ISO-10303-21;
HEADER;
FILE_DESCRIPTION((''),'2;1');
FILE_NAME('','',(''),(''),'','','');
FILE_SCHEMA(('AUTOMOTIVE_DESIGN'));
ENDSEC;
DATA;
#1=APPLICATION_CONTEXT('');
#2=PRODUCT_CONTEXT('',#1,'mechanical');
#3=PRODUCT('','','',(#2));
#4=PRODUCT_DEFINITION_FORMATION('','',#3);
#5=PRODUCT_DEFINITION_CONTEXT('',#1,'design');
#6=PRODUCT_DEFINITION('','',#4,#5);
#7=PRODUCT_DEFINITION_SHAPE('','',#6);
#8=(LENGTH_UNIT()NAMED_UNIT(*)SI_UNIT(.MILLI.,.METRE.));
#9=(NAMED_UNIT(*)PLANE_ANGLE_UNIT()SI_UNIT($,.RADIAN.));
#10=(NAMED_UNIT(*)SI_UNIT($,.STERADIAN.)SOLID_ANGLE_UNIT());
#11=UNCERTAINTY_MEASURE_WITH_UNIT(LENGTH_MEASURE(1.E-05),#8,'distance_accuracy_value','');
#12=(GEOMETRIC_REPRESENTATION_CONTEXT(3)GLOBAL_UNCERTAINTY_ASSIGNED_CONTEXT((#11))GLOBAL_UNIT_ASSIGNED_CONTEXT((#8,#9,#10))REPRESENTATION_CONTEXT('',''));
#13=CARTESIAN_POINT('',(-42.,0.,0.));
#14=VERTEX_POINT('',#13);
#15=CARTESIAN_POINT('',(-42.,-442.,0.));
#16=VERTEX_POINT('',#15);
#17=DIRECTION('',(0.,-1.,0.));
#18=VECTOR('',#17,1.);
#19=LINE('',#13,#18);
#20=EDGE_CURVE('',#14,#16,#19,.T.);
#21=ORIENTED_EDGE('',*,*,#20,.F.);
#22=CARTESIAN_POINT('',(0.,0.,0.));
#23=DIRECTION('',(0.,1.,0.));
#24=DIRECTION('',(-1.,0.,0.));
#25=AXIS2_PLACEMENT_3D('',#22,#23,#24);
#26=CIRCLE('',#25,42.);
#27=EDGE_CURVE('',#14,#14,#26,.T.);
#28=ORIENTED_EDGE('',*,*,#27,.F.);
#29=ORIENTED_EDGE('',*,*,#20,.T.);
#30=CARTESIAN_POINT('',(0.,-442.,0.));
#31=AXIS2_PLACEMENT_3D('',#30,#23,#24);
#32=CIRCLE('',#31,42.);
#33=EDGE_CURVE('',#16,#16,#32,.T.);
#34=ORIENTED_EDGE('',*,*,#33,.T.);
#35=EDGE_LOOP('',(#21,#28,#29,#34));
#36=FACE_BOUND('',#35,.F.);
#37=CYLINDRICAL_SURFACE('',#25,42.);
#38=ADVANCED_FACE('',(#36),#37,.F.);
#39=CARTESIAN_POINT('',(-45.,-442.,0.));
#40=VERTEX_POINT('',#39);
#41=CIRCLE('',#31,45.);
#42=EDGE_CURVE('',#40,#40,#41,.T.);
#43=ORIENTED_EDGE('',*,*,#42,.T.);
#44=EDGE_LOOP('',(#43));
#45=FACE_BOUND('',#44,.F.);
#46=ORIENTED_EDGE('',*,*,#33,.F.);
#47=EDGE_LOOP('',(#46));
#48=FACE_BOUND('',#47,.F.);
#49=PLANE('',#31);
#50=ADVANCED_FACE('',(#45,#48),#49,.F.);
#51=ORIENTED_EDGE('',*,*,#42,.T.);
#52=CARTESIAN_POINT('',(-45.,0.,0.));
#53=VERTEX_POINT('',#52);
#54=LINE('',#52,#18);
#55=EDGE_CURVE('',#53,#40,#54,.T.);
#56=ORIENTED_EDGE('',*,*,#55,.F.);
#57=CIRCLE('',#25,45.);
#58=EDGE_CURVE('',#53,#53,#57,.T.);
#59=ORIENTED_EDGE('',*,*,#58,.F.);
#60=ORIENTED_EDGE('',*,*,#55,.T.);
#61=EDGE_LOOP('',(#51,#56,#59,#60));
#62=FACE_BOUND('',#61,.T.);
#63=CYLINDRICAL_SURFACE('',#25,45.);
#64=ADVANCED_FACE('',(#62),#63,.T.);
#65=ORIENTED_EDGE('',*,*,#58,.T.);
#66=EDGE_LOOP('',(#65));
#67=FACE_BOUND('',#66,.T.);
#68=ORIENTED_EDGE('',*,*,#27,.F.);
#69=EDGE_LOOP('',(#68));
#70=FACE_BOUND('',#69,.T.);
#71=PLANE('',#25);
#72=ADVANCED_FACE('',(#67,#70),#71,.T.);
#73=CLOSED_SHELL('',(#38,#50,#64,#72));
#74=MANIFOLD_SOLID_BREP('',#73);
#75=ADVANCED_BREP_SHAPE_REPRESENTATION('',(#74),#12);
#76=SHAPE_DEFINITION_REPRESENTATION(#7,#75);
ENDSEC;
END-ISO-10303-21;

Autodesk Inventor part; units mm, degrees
ref_plane "YZ Plane" through (0, 0, 0) normal (1, 0, 0) x (0, 1, 0)
ref_plane "XZ Plane" through (0, 0, 0) normal (0, 1, 0) x (-1, 0, 0)
ref_plane "XY Plane" through (0, 0, 0) normal (0, 0, 1) x (1, 0, 0)
sketch "Sketch1" plane through (0, 0, 0) normal (0, 1, 0) x (-1, 0, 0)
  circle A0 centre (0, 0) radius 45
  circle A1 centre (0, 0) radius 42
  dimension "d0" = 90
  dimension "d1" = 3
extrude "Extrusion1" add sketch "Sketch1" against normal blind 442
properties part number "PRS 1615 FDS tube 5_940"
